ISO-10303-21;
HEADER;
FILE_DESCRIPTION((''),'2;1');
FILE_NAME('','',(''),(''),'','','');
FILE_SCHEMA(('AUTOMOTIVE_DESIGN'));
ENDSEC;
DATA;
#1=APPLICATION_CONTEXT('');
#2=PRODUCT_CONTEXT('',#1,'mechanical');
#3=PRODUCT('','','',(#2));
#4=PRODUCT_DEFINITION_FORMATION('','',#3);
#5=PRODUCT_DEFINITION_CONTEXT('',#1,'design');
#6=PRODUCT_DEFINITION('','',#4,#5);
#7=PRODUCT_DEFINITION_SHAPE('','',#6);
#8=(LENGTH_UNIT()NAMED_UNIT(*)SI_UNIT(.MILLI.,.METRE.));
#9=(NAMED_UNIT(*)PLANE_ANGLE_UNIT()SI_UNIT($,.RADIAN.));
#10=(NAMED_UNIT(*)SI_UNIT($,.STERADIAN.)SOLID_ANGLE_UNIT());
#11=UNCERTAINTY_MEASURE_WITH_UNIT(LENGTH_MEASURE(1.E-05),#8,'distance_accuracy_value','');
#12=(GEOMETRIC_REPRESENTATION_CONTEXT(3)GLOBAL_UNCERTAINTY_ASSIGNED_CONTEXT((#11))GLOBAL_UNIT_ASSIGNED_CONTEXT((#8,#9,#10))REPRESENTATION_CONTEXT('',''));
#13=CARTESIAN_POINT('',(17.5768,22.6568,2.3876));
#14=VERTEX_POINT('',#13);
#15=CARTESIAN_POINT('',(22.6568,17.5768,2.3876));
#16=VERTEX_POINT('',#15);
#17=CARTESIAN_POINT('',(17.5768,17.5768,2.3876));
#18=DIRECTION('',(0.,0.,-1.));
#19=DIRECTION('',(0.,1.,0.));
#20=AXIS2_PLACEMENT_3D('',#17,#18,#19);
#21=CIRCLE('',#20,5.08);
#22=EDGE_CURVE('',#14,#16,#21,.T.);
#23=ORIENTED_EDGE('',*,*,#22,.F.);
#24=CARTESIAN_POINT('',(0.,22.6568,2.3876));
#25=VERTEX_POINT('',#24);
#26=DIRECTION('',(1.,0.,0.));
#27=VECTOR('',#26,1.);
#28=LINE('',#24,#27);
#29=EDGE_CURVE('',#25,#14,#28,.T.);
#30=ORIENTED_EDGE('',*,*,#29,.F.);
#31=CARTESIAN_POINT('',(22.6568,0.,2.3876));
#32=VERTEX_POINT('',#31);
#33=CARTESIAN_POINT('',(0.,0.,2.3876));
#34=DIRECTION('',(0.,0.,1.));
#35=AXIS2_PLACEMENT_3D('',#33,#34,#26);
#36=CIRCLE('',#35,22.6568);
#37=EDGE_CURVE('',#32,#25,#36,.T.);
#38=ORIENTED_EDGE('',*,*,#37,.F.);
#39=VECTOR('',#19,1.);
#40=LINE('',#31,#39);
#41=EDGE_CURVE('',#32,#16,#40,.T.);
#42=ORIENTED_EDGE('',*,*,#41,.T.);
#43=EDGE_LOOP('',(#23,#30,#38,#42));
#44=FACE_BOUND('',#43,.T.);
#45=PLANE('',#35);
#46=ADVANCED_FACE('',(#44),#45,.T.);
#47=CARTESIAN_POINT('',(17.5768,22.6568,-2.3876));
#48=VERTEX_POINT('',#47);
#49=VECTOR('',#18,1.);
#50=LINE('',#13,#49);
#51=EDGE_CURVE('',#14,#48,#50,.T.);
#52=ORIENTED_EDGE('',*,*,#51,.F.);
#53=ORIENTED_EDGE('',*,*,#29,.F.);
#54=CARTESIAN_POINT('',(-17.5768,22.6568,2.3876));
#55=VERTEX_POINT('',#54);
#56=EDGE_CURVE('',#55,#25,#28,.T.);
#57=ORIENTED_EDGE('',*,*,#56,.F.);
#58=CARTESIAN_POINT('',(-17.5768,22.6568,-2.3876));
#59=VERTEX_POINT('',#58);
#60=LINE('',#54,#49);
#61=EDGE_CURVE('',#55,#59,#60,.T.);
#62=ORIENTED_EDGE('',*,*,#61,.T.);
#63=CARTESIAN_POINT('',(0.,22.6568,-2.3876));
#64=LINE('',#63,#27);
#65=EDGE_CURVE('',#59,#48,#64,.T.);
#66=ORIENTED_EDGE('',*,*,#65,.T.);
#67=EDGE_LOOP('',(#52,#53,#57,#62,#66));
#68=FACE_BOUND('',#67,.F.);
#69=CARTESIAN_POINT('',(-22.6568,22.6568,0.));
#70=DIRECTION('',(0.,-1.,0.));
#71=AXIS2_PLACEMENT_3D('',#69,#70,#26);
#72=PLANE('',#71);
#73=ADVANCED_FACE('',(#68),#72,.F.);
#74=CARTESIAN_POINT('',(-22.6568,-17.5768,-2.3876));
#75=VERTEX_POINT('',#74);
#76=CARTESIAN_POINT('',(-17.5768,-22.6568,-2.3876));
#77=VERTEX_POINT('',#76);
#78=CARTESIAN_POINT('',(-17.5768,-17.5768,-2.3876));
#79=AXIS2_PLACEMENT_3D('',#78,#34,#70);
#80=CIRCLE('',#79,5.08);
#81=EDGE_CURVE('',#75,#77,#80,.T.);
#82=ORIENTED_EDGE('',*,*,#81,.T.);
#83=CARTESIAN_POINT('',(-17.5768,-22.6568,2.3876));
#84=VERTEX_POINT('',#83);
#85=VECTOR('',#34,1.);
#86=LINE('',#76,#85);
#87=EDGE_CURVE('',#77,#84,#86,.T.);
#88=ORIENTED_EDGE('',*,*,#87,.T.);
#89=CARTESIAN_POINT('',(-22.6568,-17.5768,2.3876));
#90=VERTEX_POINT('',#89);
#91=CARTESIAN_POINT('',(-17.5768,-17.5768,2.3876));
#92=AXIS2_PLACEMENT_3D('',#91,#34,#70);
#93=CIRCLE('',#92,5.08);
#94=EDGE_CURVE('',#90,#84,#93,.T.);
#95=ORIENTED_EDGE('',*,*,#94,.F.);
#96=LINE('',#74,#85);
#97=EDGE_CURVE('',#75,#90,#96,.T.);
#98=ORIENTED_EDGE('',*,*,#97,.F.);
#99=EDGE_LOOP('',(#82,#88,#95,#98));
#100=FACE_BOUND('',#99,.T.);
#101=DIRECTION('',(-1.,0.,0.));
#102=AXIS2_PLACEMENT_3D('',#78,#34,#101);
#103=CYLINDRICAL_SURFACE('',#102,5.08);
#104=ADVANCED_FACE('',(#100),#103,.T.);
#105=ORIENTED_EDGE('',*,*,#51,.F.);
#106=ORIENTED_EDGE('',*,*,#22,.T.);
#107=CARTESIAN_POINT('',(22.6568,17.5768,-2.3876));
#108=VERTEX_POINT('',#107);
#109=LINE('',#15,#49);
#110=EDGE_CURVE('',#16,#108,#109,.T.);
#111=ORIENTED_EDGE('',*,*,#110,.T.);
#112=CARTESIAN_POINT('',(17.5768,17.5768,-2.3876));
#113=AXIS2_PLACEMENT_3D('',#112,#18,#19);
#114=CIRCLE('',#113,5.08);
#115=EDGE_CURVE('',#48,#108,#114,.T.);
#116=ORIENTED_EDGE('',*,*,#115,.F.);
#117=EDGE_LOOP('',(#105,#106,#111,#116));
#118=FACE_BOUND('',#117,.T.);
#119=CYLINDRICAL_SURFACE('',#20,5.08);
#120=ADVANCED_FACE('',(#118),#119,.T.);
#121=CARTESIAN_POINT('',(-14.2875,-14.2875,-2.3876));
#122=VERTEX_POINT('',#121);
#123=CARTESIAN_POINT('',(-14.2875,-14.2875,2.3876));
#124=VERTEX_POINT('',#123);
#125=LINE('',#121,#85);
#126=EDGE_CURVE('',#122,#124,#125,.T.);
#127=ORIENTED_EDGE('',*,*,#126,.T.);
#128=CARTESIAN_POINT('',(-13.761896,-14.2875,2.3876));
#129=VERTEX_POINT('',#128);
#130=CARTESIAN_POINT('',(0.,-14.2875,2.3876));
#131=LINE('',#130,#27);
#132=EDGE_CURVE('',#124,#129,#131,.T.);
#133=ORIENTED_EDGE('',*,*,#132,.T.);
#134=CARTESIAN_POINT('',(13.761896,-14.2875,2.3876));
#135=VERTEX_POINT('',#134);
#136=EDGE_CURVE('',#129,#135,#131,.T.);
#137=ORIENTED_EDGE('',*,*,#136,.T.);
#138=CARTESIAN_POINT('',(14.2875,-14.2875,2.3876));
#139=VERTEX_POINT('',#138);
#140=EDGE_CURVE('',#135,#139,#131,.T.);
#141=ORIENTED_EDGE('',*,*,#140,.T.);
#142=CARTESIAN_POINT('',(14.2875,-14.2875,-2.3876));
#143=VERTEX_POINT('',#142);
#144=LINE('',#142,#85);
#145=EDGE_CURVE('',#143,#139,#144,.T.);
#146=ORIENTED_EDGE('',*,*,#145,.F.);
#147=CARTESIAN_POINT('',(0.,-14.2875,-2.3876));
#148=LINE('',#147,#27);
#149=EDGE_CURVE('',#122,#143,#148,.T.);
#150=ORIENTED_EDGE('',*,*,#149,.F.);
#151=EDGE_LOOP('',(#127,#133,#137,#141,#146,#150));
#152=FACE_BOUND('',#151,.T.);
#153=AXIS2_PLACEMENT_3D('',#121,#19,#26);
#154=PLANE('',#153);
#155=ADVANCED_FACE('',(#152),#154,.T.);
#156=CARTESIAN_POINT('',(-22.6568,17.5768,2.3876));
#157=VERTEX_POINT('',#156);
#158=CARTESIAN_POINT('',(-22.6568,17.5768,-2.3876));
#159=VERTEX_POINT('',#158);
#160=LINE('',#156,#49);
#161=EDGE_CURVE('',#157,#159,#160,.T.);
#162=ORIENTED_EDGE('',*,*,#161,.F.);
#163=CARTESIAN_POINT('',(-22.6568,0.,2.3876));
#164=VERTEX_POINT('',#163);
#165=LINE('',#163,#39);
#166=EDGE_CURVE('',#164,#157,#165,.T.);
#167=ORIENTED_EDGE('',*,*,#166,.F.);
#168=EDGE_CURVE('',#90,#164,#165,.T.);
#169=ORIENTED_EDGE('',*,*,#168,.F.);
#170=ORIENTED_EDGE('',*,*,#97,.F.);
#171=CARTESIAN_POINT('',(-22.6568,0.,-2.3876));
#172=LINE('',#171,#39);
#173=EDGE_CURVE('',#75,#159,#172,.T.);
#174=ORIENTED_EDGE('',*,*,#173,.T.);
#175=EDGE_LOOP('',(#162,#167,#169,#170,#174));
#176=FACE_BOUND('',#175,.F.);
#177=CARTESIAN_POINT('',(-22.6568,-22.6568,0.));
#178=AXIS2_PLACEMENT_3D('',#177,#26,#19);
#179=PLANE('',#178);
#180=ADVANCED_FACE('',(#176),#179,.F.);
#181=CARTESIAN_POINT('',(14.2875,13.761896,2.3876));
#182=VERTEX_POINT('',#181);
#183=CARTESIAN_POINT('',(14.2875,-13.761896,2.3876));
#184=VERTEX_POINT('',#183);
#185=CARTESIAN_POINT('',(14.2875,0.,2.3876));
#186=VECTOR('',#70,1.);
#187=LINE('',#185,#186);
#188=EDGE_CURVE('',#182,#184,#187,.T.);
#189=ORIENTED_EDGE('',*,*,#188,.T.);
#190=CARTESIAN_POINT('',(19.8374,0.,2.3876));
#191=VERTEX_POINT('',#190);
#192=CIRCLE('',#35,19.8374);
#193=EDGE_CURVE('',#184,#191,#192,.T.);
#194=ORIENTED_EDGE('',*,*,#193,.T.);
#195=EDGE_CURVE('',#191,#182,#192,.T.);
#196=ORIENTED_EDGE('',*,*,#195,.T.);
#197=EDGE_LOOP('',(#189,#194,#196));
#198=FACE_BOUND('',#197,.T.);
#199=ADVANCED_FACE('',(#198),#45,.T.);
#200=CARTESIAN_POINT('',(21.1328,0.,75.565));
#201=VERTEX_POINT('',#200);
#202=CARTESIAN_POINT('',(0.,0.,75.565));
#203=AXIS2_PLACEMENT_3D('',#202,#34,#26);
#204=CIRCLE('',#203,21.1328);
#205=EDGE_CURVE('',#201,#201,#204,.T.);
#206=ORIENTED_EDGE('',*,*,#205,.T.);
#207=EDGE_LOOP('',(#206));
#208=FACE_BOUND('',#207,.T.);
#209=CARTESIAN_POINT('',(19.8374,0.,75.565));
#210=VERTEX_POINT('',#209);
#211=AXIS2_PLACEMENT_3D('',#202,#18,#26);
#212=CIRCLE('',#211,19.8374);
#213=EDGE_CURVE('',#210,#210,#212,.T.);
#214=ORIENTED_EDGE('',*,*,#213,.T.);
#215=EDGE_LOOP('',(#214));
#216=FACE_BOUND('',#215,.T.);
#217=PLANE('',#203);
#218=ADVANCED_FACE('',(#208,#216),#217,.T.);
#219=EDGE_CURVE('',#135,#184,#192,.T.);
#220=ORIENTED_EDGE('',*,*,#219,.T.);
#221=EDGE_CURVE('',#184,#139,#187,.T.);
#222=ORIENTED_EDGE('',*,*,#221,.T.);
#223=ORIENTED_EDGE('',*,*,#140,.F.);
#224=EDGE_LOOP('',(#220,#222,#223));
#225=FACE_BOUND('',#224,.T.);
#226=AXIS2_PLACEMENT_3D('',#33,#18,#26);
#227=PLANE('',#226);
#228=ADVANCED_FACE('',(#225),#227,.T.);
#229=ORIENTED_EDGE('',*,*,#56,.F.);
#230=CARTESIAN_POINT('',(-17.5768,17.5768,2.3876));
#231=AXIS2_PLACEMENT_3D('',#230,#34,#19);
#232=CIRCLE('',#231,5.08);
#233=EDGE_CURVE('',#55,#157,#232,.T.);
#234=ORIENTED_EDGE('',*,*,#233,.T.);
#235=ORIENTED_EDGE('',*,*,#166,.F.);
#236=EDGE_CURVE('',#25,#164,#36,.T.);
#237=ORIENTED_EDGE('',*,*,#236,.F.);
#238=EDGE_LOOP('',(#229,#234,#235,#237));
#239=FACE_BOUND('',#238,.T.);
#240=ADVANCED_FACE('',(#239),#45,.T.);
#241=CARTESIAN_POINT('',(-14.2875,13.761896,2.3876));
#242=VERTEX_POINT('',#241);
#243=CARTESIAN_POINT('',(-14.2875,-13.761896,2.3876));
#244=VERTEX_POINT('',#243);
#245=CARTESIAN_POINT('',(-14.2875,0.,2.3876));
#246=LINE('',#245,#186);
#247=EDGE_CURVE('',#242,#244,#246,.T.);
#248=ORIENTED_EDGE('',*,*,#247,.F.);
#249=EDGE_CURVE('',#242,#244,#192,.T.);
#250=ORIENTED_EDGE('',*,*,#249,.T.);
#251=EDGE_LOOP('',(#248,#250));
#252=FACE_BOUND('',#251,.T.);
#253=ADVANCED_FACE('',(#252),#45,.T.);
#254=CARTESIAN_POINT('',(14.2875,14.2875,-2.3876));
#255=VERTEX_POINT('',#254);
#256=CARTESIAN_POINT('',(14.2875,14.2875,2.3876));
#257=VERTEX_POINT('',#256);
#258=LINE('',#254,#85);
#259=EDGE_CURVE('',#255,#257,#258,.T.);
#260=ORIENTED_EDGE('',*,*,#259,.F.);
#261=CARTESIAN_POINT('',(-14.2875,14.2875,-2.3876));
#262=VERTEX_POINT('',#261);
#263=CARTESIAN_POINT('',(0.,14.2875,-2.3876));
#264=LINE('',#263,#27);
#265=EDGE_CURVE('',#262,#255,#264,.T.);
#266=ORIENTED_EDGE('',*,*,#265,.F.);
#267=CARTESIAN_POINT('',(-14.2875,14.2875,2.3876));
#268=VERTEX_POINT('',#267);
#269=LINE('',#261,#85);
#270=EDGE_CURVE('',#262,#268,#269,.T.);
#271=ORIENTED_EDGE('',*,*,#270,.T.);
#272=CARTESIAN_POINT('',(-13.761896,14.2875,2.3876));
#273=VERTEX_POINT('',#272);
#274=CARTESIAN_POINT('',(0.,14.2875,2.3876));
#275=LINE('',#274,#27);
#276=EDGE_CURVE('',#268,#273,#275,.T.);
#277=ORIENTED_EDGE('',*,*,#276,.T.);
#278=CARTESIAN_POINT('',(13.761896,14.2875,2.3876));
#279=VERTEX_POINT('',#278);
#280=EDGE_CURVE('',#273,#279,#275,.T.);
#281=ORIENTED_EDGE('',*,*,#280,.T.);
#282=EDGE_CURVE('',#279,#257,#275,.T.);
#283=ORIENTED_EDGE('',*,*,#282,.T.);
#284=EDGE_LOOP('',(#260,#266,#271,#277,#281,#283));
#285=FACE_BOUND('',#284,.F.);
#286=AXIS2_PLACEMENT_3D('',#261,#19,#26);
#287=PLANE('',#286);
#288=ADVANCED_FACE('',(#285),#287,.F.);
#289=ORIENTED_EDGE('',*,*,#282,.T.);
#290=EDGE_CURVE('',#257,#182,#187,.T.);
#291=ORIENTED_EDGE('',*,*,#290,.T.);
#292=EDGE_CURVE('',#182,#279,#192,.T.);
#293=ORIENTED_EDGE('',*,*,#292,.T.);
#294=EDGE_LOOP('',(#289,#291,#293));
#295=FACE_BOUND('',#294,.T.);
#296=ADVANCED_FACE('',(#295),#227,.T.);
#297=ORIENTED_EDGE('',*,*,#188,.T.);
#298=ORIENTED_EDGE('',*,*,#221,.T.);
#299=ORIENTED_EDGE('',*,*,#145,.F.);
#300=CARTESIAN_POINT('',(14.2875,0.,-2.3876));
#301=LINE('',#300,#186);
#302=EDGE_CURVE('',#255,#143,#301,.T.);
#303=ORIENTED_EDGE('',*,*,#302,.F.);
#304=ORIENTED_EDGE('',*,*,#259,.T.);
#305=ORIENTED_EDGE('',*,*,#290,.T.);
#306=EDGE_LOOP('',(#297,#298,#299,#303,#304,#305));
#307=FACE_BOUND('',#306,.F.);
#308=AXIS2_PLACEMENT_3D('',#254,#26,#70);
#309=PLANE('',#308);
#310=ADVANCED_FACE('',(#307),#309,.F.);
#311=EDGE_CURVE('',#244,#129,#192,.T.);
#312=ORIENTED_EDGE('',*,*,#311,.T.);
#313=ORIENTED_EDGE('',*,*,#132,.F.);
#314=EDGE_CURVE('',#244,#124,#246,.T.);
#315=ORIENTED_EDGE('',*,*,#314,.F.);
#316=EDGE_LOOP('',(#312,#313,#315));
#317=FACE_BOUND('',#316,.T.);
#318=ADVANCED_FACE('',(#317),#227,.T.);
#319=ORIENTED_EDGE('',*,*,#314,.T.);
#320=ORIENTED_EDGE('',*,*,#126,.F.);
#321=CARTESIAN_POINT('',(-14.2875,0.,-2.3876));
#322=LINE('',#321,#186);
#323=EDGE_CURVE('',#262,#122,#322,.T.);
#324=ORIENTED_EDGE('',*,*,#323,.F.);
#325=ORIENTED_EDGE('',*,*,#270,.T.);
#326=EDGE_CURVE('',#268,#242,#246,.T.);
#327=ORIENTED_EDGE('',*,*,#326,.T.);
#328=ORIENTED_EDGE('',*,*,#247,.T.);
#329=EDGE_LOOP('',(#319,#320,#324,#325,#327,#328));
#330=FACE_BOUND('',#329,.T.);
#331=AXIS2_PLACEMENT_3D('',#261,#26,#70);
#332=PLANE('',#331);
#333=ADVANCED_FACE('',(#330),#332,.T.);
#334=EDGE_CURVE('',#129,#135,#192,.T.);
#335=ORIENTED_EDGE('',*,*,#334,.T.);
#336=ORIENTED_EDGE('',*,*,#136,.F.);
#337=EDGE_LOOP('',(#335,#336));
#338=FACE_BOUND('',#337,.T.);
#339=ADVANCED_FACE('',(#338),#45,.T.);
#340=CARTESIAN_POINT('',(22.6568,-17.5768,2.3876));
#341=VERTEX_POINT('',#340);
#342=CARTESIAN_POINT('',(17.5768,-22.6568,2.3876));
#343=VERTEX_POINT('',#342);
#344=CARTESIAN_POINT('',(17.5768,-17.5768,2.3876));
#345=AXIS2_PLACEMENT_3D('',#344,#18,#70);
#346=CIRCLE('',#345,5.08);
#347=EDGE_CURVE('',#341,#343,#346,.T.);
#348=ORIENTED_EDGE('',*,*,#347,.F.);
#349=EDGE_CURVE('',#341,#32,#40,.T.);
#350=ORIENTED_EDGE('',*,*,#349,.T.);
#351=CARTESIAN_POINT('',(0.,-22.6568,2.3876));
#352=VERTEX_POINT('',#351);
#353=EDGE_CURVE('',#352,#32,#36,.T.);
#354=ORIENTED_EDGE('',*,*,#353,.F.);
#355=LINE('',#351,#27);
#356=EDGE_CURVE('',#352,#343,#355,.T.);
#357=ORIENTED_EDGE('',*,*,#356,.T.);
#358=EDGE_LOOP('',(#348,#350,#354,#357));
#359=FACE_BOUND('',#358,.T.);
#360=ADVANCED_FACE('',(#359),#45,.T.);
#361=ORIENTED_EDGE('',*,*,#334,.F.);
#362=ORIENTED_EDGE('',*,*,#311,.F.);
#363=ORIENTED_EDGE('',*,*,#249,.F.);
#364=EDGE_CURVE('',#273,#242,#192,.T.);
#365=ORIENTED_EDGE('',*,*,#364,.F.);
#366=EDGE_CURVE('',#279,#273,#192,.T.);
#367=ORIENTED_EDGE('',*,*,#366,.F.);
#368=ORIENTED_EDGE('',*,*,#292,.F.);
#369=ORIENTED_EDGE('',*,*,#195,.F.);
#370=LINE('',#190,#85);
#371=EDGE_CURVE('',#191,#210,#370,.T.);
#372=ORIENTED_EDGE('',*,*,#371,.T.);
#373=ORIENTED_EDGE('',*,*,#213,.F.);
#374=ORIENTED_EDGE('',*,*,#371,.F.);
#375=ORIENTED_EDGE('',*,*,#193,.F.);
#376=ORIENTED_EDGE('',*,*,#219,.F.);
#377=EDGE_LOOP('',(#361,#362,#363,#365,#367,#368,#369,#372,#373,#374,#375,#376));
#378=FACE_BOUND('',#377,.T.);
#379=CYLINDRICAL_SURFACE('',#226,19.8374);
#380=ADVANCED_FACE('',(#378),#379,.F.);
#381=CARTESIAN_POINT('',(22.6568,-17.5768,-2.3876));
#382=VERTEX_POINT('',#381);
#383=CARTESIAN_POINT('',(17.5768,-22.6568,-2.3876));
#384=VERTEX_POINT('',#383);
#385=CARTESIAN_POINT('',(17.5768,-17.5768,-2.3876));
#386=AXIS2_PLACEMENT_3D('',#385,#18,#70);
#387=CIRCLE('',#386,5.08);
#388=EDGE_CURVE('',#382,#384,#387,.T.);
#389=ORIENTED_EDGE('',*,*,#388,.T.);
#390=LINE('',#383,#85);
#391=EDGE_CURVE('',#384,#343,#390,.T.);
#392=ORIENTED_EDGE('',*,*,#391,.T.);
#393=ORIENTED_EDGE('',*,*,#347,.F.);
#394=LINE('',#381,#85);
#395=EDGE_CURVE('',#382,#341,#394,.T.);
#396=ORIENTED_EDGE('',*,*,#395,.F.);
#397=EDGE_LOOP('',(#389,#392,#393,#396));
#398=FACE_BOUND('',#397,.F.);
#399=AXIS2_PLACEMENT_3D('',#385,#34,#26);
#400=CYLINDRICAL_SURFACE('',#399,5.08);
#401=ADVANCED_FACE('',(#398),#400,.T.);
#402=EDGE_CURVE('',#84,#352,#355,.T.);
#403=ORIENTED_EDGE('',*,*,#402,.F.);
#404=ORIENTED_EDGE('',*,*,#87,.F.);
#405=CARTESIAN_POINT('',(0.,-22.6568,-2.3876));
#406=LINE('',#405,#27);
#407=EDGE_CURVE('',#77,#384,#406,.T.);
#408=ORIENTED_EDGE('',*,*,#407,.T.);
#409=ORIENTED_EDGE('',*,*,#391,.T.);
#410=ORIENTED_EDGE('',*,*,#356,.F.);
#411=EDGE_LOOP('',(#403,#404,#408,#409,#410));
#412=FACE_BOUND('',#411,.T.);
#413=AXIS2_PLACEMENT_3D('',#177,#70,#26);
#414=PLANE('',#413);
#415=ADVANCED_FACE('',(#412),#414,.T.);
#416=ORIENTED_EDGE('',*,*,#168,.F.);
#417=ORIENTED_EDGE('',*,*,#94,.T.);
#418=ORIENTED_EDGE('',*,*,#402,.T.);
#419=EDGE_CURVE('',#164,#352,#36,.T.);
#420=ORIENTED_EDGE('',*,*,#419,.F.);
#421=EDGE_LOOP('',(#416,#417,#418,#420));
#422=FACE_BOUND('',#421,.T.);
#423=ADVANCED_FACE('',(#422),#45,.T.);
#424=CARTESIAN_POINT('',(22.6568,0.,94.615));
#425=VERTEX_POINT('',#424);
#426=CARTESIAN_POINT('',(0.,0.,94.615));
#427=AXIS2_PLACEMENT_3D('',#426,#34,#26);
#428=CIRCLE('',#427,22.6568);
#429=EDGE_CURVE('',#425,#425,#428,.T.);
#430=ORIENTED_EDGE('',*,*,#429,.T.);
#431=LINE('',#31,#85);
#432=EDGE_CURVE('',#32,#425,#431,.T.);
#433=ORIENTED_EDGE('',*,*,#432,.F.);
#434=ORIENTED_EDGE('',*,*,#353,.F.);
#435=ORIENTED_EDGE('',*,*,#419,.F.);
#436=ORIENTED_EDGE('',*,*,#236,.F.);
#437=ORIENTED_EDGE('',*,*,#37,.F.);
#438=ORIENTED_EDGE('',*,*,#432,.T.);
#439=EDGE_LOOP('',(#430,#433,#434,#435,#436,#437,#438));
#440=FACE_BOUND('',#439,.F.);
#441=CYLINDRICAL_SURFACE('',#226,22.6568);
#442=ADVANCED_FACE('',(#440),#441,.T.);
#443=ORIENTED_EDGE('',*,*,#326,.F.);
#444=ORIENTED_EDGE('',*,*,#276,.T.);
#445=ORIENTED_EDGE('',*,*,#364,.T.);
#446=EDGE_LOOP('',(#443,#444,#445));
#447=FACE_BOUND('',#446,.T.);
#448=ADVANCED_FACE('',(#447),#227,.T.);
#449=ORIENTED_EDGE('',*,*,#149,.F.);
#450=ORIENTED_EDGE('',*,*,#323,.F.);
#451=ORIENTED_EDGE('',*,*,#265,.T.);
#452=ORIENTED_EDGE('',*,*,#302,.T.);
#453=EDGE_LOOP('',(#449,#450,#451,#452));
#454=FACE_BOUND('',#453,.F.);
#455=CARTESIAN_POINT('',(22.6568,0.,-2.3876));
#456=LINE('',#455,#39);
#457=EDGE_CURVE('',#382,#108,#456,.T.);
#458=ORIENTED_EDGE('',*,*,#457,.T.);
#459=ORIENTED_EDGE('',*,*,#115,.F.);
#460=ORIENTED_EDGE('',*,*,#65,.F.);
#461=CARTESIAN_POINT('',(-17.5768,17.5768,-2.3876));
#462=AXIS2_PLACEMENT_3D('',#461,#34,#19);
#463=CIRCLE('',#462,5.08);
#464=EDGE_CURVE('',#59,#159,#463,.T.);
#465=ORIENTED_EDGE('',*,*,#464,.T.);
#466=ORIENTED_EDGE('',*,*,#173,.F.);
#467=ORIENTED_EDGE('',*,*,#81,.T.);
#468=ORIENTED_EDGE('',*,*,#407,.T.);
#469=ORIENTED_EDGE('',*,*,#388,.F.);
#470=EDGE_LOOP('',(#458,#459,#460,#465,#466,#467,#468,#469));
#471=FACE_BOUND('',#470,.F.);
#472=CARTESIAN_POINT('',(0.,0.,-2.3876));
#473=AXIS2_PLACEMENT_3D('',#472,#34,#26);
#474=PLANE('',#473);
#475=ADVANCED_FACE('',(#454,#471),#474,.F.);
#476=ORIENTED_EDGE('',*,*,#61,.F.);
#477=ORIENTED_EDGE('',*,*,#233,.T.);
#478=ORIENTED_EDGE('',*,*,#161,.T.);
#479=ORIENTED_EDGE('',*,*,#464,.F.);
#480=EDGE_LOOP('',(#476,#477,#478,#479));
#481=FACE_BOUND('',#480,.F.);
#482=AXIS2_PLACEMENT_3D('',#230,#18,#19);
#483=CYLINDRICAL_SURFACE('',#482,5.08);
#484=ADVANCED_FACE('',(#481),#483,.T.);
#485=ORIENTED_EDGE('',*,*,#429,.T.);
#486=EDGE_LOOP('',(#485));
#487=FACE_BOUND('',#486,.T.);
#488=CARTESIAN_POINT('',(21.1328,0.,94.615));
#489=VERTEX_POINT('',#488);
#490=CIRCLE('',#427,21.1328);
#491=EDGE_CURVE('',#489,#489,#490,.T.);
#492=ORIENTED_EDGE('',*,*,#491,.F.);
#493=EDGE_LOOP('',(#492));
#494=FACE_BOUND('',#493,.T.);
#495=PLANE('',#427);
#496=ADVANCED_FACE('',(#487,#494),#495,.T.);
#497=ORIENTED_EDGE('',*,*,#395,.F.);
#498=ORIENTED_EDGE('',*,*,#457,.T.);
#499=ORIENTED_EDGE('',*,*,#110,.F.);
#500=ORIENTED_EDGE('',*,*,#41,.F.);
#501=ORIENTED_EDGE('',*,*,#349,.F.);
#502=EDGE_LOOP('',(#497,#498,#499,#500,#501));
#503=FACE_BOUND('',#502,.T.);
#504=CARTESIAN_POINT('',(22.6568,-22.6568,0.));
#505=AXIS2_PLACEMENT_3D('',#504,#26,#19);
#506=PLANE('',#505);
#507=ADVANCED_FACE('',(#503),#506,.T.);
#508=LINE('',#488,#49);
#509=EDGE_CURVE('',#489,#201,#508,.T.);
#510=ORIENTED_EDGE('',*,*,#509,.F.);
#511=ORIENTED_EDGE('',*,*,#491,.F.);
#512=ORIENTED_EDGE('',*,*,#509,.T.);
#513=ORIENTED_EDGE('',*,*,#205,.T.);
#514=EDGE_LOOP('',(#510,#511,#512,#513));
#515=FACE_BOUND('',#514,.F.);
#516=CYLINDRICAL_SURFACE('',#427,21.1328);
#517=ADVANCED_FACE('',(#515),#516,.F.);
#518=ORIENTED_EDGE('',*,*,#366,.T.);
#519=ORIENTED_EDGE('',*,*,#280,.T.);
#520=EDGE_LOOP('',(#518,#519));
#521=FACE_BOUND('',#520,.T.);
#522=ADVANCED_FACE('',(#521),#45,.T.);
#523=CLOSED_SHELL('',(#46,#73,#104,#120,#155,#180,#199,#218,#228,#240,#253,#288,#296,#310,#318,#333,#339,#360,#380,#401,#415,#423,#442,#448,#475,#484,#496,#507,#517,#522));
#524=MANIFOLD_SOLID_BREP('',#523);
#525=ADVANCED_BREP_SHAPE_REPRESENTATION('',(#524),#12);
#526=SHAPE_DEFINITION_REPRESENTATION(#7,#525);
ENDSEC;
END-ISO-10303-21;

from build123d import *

# Parameters (mm, degrees)
F0_W     = 45.3136
F0_H     = 45.3136
F1_DEPTH = 2.3876
F2_R     = 22.6568
F2_R_2   = 19.8374
F3_DEPTH = 92.2274
F4_W     = 28.575
F4_H     = 28.575
F5_DEPTH = 4.7752
F6_R     = 21.1328
F7_DEPTH = 19.05
F8_R     = 5.08


with BuildPart() as f1:
    # F0 (on Top) → F1 (new body, symmetric)
    with BuildSketch(Plane.XY):
        Rectangle(F0_W, F0_H)
    extrude(amount=F1_DEPTH, both=True)

    # F2 (on face) → F3 (join)
    with BuildSketch(Plane.XY.offset(2.3876)):
        Circle(F2_R)
        Circle(F2_R_2, mode=Mode.SUBTRACT)
    extrude(amount=F3_DEPTH)

    # F4 (on face) → F5 (cut, through all)
    with BuildSketch(Plane(origin=(0, 0, -2.3876), x_dir=(1, 0, 0), z_dir=(0, 0, -1))):
        Rectangle(F4_W, F4_H)
    extrude(amount=-F5_DEPTH, mode=Mode.SUBTRACT)

    # F6 (on face) → F7 (cut)
    with BuildSketch(Plane.XY.offset(94.615)):
        Circle(F6_R)
    extrude(amount=-F7_DEPTH, mode=Mode.SUBTRACT)

    # F8
    f8_edges = [f1.edges().sort_by_distance(p)[0] for p in [
        (-22.6568, -22.6568, 0),
        (-22.6568, 22.6568, 0),
        (22.6568, -22.6568, 0),
        (22.6568, 22.6568, 0),
    ]]
    fillet(f8_edges, radius=F8_R)


solid = f1.part
